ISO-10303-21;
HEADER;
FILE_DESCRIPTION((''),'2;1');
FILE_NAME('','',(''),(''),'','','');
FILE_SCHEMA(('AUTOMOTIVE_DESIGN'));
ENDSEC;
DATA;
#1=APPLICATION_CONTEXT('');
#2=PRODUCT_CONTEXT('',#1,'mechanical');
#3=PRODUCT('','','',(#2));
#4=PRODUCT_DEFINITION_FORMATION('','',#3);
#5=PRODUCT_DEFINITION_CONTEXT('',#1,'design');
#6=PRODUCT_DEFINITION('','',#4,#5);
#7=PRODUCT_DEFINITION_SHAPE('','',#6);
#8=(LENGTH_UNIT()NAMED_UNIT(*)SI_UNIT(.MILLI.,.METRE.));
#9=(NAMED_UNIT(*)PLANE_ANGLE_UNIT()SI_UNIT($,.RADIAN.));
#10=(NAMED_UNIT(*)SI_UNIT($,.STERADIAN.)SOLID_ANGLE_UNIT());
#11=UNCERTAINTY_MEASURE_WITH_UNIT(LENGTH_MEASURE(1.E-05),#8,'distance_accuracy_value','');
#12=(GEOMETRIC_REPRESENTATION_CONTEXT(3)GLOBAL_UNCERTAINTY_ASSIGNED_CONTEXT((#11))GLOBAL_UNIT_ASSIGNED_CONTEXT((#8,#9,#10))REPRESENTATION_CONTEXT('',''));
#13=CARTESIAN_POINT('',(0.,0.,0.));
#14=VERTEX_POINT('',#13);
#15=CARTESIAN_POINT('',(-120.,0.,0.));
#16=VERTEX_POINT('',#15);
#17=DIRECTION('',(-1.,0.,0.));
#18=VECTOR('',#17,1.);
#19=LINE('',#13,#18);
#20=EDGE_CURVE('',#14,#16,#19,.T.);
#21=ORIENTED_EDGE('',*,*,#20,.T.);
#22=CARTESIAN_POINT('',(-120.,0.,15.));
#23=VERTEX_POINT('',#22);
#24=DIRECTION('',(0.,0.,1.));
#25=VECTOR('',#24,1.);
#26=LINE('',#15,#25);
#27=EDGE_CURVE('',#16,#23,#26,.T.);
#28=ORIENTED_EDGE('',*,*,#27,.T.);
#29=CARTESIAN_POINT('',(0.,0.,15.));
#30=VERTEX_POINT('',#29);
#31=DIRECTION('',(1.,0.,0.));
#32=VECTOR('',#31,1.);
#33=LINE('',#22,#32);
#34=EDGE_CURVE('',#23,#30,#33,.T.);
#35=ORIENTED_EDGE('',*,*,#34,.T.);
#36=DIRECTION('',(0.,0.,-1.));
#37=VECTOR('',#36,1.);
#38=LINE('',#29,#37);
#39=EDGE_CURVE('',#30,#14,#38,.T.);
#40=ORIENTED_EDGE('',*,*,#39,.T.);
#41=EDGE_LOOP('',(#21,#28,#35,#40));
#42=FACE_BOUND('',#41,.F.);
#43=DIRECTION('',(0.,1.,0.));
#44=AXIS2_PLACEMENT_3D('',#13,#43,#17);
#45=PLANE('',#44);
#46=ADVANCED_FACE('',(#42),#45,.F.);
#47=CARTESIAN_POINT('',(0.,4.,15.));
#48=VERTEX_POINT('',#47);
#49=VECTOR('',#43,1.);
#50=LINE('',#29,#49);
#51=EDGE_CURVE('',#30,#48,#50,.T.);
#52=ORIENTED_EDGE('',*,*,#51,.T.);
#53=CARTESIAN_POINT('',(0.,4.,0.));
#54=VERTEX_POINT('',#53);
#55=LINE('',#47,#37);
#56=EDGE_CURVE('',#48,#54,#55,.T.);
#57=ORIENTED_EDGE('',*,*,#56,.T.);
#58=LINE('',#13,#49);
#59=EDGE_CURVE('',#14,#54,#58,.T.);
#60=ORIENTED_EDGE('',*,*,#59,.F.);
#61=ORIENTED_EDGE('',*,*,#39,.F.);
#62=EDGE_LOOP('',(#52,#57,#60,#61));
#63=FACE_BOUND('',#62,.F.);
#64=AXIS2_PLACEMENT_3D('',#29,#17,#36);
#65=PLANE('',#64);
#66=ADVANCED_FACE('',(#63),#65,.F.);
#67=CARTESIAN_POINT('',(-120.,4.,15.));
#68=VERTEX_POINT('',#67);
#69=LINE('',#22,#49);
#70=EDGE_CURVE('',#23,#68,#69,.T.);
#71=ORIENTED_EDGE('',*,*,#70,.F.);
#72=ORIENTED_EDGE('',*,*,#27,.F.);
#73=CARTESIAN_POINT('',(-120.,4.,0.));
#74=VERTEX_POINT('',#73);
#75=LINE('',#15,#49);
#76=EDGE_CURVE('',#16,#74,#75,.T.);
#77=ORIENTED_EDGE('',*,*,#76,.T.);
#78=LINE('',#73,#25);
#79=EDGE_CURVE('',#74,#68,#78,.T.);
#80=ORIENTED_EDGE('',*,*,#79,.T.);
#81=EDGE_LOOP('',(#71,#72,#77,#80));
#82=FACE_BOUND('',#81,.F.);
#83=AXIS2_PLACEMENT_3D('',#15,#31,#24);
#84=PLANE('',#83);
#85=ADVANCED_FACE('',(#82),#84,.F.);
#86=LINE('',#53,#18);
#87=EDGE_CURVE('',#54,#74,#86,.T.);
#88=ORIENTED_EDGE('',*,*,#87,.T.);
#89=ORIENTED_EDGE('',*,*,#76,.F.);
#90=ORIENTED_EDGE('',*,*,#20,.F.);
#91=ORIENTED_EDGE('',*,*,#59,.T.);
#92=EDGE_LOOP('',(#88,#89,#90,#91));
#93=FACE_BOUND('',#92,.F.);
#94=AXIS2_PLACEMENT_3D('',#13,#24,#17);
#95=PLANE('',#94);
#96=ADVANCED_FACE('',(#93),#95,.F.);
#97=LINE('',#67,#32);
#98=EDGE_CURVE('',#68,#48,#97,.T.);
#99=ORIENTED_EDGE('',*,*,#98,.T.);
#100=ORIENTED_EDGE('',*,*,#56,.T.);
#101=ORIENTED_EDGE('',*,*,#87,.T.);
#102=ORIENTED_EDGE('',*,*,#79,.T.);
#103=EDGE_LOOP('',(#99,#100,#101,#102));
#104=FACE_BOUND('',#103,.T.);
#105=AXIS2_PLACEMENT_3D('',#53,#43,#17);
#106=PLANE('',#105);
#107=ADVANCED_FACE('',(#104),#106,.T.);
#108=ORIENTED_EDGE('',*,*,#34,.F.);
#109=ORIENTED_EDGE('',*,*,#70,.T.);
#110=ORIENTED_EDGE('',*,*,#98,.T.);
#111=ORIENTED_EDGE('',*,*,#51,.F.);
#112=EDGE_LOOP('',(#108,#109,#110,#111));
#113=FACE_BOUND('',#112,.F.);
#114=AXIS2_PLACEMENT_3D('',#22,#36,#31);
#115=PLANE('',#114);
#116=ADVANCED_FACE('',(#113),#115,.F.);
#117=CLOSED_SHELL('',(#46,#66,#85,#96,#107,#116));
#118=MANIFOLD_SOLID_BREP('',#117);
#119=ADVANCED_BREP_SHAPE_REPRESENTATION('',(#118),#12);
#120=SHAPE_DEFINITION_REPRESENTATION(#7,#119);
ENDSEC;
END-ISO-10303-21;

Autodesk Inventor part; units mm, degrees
ref_plane "YZ Plane" through (0, 0, 0) normal (1, 0, 0) x (0, 1, 0)
ref_plane "XZ Plane" through (0, 0, 0) normal (0, 1, 0) x (-1, 0, 0)
ref_plane "XY Plane" through (0, 0, 0) normal (0, 0, 1) x (1, 0, 0)
sketch "Skizze1" plane through (0, 0, 0) normal (0, 1, 0) x (-1, 0, 0)
  line L0 (0, 0) -> (120, 0)
  line L1 (120, 0) -> (120, 15)
  line L2 (120, 15) -> (0, 15)
  line L3 (0, 15) -> (0, 0)
  dimension "d0" = 120
  dimension "d1" = 15
extrude "Extrusion1" add sketch "Skizze1" along normal blind 4
properties part number "Querstrebe2" material "Pappel"
